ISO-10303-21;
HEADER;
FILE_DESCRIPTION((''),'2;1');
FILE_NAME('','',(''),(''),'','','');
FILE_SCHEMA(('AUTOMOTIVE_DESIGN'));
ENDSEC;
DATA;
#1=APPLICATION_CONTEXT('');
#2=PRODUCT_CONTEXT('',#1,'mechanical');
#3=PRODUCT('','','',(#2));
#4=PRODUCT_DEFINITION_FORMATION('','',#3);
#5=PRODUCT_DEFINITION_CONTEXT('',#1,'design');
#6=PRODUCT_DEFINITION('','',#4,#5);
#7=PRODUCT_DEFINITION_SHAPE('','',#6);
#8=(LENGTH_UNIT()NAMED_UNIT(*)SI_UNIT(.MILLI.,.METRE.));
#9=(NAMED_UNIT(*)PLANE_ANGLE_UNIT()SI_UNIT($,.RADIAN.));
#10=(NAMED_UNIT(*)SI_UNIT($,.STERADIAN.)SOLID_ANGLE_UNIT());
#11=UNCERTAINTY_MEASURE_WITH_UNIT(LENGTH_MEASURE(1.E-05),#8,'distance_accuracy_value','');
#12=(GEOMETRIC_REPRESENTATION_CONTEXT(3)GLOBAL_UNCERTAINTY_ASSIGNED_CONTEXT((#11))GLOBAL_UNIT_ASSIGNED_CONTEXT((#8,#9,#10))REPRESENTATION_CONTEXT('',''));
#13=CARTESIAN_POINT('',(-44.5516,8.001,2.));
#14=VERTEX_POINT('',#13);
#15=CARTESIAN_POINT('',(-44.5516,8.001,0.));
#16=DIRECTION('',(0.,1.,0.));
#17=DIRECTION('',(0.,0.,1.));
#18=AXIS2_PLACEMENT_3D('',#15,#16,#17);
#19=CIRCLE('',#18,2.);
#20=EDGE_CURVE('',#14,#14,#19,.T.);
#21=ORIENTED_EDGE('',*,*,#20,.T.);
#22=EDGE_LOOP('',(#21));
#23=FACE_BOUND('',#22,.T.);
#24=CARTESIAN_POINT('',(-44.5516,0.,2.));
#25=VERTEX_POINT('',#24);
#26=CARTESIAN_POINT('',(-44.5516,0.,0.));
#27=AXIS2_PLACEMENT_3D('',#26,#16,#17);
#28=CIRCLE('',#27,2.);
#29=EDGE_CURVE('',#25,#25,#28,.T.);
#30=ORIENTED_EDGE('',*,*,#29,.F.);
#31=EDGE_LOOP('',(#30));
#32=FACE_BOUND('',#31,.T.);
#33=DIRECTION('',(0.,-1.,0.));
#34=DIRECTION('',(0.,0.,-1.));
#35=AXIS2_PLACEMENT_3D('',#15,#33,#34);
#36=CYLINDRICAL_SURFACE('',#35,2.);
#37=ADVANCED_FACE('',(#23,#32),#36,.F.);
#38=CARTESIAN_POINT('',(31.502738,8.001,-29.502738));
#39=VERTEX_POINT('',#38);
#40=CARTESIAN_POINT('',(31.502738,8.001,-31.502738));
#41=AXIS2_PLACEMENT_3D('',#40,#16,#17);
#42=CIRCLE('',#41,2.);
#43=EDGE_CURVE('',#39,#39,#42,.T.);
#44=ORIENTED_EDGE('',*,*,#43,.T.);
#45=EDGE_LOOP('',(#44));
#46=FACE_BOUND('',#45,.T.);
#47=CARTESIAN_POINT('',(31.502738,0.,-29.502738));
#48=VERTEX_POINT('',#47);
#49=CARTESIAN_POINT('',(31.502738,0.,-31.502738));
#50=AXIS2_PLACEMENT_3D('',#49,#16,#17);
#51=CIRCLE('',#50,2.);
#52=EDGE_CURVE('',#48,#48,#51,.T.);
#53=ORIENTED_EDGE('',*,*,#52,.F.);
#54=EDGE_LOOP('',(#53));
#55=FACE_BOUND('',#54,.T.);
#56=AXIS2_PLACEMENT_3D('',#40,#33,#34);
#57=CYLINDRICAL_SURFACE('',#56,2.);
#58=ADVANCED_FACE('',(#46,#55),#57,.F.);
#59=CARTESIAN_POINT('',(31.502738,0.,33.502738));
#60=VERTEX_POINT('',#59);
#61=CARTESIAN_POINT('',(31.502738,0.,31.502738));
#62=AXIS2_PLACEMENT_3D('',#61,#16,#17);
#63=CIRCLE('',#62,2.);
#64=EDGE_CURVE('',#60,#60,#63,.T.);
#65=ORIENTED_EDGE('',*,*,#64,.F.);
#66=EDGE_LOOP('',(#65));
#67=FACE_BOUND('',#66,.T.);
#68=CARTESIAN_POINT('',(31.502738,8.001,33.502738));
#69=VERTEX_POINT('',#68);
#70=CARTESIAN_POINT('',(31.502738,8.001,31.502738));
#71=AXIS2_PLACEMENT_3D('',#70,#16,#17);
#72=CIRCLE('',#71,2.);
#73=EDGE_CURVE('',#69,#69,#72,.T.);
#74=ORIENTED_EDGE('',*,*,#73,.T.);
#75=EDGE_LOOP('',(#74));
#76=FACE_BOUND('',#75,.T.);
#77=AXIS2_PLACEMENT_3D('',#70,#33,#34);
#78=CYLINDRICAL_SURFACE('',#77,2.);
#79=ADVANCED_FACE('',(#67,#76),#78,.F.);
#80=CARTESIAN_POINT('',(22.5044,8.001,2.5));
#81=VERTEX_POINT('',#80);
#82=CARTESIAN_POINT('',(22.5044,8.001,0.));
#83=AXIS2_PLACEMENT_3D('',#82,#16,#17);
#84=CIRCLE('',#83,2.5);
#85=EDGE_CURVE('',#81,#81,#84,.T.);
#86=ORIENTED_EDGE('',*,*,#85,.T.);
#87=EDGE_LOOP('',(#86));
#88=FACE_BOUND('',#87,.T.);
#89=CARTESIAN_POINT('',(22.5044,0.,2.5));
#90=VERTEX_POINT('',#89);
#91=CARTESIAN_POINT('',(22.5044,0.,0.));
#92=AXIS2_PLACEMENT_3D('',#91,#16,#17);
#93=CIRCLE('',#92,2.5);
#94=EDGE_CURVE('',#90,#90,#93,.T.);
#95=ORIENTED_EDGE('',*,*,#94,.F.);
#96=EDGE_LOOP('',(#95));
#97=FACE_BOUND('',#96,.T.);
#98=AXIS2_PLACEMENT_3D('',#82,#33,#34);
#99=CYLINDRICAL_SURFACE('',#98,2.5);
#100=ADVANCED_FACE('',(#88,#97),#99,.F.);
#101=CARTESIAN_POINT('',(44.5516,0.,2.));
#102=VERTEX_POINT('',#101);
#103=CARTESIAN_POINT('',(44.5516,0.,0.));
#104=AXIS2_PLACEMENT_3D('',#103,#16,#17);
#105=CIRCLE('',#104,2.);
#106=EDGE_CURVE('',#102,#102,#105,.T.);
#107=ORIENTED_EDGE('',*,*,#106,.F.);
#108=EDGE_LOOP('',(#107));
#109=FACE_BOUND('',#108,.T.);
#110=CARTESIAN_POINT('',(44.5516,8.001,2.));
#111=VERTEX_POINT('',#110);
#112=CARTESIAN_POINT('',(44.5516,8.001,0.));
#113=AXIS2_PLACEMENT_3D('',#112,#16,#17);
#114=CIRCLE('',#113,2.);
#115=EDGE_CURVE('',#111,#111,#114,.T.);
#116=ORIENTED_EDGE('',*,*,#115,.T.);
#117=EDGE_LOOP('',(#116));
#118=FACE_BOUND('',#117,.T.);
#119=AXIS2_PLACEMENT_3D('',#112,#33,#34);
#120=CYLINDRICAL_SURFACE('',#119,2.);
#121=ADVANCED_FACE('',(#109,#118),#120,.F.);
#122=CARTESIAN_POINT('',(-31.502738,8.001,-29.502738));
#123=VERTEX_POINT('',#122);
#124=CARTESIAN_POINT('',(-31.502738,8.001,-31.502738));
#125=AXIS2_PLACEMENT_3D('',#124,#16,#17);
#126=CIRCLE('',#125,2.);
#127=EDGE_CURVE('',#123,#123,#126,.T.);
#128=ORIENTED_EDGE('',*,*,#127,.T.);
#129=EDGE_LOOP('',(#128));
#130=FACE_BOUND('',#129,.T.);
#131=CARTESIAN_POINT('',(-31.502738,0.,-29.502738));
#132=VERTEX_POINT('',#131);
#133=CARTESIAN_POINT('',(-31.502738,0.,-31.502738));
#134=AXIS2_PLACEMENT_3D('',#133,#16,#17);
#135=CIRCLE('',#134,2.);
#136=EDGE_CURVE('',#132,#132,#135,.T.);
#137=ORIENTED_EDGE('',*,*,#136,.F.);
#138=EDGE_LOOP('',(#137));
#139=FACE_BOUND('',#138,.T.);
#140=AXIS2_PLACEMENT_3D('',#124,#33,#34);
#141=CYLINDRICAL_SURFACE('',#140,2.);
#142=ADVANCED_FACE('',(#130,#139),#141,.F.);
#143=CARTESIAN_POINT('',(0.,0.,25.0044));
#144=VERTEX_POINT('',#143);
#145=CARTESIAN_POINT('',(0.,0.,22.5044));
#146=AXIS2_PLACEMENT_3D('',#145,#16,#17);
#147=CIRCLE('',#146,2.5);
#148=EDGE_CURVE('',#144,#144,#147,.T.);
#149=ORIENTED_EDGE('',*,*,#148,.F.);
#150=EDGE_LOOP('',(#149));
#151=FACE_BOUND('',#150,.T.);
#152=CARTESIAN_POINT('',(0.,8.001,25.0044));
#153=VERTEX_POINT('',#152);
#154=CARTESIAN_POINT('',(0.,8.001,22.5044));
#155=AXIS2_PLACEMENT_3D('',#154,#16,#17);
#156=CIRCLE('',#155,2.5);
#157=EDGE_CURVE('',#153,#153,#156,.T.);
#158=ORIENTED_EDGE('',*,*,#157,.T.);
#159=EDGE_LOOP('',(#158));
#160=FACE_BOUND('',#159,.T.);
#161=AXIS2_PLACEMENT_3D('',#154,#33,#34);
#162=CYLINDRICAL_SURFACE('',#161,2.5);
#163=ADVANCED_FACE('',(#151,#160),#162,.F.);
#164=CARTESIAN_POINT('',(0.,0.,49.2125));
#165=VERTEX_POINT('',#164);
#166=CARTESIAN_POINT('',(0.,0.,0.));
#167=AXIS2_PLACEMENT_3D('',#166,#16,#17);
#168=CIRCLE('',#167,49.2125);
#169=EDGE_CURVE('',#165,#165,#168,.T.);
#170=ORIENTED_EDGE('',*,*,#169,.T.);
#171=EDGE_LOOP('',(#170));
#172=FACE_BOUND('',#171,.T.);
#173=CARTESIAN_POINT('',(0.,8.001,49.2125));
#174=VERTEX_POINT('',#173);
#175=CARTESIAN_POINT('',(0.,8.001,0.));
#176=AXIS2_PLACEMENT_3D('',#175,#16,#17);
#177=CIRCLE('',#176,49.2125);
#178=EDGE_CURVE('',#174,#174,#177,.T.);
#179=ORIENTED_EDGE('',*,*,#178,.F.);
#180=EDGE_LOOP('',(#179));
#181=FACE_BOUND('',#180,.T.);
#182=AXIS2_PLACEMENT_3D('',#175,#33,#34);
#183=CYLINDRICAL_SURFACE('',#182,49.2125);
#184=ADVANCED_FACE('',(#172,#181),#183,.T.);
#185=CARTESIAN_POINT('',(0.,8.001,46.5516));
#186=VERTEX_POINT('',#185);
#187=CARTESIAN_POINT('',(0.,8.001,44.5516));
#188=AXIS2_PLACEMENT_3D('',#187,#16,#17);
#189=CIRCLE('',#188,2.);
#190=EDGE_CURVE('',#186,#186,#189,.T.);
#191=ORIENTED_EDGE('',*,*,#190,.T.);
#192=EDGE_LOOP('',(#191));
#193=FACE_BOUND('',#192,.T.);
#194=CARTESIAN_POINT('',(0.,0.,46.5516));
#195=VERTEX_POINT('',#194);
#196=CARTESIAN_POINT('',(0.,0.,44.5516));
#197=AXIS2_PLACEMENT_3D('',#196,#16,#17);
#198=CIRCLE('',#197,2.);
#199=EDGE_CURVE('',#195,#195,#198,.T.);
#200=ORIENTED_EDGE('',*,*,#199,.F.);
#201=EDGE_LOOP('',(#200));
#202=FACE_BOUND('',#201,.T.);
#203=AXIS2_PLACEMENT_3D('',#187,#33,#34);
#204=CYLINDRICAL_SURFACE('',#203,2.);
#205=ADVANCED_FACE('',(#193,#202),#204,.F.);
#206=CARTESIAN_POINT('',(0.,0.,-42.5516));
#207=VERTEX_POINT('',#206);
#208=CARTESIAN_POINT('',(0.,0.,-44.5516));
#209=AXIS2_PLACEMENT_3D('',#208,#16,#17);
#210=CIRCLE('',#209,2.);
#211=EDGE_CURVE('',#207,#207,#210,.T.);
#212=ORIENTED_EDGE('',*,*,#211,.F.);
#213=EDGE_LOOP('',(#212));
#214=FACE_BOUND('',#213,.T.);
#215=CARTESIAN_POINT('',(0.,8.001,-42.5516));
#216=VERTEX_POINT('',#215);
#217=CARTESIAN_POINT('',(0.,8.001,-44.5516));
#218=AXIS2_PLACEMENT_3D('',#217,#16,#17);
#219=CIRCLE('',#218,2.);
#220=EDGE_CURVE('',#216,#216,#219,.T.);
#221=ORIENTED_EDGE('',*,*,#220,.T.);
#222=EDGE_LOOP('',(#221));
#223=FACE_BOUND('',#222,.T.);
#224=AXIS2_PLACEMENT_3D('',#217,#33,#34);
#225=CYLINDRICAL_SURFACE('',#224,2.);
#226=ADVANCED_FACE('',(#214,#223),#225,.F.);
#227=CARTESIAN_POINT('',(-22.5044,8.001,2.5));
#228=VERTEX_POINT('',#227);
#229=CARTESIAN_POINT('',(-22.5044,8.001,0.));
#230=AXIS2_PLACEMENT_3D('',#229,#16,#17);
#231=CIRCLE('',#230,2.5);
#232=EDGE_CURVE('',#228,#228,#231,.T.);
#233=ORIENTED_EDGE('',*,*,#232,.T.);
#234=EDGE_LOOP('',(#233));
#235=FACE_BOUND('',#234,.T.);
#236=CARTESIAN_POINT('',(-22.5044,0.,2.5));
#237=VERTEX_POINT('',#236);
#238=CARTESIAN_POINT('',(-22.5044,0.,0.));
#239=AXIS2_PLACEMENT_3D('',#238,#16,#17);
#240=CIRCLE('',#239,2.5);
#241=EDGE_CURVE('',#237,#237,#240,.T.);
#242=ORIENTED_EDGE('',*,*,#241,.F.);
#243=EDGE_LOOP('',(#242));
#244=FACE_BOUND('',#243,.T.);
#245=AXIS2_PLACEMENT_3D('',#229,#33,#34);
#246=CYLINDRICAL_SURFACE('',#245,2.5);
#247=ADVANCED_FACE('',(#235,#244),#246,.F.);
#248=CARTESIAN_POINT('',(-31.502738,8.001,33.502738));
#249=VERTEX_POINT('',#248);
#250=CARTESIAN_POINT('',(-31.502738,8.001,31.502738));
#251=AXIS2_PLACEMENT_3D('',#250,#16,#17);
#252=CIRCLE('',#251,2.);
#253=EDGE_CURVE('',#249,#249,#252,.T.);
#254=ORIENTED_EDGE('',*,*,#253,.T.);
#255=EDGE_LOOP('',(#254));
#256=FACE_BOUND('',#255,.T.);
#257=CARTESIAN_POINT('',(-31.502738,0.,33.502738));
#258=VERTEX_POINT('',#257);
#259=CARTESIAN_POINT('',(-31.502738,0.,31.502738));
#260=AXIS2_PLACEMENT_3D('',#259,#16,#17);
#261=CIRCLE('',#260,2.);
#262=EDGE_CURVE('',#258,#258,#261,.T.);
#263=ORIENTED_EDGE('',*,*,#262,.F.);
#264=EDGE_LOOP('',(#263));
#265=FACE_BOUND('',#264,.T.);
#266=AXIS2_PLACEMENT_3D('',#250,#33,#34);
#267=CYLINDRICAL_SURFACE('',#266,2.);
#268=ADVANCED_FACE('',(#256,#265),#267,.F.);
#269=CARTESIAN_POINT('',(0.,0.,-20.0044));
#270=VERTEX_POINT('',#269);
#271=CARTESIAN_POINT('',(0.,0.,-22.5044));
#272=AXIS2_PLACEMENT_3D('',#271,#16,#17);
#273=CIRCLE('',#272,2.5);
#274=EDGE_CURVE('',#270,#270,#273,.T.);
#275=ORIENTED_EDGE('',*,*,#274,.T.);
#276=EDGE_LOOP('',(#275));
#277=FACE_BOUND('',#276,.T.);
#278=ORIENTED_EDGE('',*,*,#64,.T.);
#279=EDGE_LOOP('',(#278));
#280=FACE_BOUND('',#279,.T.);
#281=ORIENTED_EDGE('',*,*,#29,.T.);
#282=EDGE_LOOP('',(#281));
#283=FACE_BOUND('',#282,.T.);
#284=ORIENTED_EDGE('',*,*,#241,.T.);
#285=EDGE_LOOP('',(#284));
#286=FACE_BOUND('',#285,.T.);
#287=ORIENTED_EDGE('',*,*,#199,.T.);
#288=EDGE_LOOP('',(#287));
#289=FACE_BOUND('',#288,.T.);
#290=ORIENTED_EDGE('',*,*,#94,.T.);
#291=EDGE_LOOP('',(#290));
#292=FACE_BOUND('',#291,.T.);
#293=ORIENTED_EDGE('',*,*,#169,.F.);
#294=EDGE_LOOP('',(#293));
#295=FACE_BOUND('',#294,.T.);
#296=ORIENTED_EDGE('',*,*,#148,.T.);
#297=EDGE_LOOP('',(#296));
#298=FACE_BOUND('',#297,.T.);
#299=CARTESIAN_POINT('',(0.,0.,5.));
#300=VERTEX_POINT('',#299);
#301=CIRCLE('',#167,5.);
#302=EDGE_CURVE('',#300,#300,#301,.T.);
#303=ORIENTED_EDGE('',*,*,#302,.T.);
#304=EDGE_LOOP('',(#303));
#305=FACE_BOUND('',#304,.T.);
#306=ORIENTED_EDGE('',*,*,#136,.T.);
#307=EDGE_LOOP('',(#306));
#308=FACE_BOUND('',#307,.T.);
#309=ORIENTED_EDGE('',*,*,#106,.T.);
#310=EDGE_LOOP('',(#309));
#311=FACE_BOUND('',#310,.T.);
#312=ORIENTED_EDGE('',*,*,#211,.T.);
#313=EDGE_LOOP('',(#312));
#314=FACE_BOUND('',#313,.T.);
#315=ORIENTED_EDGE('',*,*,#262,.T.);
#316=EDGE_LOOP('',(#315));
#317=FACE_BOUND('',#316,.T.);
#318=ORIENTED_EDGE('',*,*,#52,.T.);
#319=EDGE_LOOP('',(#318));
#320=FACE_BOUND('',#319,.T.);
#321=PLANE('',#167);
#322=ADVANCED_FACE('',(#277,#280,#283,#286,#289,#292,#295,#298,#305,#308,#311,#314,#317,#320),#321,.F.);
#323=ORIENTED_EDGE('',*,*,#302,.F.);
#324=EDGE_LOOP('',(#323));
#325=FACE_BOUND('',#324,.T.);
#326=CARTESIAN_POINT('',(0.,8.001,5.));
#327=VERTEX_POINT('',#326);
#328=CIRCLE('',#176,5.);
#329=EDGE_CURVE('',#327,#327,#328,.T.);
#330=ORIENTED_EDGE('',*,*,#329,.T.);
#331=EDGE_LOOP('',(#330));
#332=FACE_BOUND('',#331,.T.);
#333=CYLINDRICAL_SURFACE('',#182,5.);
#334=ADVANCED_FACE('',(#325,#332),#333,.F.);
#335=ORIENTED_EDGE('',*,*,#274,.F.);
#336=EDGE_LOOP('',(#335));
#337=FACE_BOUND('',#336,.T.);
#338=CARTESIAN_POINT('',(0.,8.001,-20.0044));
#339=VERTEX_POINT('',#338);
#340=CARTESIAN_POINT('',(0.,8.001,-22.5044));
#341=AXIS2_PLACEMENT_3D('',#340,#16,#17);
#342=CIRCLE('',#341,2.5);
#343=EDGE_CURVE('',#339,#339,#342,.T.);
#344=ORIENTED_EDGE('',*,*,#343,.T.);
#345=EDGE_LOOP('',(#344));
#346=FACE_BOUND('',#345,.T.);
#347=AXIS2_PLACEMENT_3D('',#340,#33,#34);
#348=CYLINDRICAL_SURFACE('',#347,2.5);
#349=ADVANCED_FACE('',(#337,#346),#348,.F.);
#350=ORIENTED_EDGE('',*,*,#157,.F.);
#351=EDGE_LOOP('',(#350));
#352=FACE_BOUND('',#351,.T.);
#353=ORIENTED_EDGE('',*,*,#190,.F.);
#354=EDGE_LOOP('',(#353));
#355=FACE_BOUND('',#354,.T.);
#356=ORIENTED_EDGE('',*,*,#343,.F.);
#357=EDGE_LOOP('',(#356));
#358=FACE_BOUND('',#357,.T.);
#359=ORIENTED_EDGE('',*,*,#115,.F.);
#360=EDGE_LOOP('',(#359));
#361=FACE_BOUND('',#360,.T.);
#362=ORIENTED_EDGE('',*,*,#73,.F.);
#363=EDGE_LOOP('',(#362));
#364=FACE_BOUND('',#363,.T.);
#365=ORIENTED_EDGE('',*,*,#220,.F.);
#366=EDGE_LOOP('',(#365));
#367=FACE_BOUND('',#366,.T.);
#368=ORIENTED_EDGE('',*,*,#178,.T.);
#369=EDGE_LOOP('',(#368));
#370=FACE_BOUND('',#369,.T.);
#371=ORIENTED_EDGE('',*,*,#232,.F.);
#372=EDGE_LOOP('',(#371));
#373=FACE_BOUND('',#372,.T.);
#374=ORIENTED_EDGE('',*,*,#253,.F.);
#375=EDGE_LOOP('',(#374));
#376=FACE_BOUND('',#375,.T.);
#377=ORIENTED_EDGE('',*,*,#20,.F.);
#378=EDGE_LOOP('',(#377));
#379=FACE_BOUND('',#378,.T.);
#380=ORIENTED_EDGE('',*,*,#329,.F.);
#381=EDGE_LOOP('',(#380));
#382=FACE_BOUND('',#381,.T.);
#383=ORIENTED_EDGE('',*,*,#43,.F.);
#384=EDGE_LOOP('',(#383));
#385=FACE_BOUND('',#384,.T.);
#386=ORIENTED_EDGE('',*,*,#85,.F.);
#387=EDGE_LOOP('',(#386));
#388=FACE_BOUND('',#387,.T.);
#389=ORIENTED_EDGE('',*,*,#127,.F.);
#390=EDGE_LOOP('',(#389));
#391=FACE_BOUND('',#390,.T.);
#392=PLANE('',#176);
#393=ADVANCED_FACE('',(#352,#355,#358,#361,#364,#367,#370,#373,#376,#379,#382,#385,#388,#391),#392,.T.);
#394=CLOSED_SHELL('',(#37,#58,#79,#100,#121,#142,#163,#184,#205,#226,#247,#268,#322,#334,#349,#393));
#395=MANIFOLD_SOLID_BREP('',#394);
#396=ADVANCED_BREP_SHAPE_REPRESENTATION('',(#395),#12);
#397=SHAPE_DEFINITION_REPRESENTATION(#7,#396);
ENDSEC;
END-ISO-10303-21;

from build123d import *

# Parameters (mm, degrees)
SKETCH1_R           = 49.2125
SKETCH1_R_2         = 5
SKETCH1_R_3         = 2
SKETCH1_R_4         = 2.5
BOSS_EXTRUDE1_DEPTH = 8.001


with BuildPart() as part:
    # Sketch1 → Boss-Extrude1 (new body)
    with BuildSketch(Plane(origin=(0, 0, 0), x_dir=(1, 0, 0), z_dir=(0, 1, 0))):
        with Locations(Location((0, 0, 0), (0, 0, 270))):
            Circle(SKETCH1_R)
        with Locations(Location((0, 0, 0), (0, 0, 270))):
            Circle(SKETCH1_R_2, mode=Mode.SUBTRACT)
        with Locations(Location((-44.5516, 0, 0), (0, 0, 270))):
            Circle(SKETCH1_R_3, mode=Mode.SUBTRACT)
        with Locations(Location((-31.502738473, 31.502738473, 0), (0, 0, 270))):
            Circle(SKETCH1_R_3, mode=Mode.SUBTRACT)
        with Locations(Location((0, 44.5516, 0), (0, 0, 270))):
            Circle(SKETCH1_R_3, mode=Mode.SUBTRACT)
        with Locations(Location((-31.502738473, -31.502738473, 0), (0, 0, 270))):
            Circle(SKETCH1_R_3, mode=Mode.SUBTRACT)
        with Locations(Location((0, -44.5516, 0), (0, 0, 270))):
            Circle(SKETCH1_R_3, mode=Mode.SUBTRACT)
        with Locations(Location((31.502738473, -31.502738473, 0), (0, 0, 270))):
            Circle(SKETCH1_R_3, mode=Mode.SUBTRACT)
        with Locations(Location((44.5516, 0, 0), (0, 0, 270))):
            Circle(SKETCH1_R_3, mode=Mode.SUBTRACT)
        with Locations(Location((31.502738473, 31.502738473, 0), (0, 0, 270))):
            Circle(SKETCH1_R_3, mode=Mode.SUBTRACT)
        with Locations(Location((-22.5044, 0, 0), (0, 0, 270))):
            Circle(SKETCH1_R_4, mode=Mode.SUBTRACT)
        with Locations(Location((0, 22.5044, 0), (0, 0, 270))):
            Circle(SKETCH1_R_4, mode=Mode.SUBTRACT)
        with Locations(Location((22.5044, 0, 0), (0, 0, 270))):
            Circle(SKETCH1_R_4, mode=Mode.SUBTRACT)
        with Locations(Location((0, -22.5044, 0), (0, 0, 270))):
            Circle(SKETCH1_R_4, mode=Mode.SUBTRACT)
    extrude(amount=BOSS_EXTRUDE1_DEPTH)


solid = part.part
